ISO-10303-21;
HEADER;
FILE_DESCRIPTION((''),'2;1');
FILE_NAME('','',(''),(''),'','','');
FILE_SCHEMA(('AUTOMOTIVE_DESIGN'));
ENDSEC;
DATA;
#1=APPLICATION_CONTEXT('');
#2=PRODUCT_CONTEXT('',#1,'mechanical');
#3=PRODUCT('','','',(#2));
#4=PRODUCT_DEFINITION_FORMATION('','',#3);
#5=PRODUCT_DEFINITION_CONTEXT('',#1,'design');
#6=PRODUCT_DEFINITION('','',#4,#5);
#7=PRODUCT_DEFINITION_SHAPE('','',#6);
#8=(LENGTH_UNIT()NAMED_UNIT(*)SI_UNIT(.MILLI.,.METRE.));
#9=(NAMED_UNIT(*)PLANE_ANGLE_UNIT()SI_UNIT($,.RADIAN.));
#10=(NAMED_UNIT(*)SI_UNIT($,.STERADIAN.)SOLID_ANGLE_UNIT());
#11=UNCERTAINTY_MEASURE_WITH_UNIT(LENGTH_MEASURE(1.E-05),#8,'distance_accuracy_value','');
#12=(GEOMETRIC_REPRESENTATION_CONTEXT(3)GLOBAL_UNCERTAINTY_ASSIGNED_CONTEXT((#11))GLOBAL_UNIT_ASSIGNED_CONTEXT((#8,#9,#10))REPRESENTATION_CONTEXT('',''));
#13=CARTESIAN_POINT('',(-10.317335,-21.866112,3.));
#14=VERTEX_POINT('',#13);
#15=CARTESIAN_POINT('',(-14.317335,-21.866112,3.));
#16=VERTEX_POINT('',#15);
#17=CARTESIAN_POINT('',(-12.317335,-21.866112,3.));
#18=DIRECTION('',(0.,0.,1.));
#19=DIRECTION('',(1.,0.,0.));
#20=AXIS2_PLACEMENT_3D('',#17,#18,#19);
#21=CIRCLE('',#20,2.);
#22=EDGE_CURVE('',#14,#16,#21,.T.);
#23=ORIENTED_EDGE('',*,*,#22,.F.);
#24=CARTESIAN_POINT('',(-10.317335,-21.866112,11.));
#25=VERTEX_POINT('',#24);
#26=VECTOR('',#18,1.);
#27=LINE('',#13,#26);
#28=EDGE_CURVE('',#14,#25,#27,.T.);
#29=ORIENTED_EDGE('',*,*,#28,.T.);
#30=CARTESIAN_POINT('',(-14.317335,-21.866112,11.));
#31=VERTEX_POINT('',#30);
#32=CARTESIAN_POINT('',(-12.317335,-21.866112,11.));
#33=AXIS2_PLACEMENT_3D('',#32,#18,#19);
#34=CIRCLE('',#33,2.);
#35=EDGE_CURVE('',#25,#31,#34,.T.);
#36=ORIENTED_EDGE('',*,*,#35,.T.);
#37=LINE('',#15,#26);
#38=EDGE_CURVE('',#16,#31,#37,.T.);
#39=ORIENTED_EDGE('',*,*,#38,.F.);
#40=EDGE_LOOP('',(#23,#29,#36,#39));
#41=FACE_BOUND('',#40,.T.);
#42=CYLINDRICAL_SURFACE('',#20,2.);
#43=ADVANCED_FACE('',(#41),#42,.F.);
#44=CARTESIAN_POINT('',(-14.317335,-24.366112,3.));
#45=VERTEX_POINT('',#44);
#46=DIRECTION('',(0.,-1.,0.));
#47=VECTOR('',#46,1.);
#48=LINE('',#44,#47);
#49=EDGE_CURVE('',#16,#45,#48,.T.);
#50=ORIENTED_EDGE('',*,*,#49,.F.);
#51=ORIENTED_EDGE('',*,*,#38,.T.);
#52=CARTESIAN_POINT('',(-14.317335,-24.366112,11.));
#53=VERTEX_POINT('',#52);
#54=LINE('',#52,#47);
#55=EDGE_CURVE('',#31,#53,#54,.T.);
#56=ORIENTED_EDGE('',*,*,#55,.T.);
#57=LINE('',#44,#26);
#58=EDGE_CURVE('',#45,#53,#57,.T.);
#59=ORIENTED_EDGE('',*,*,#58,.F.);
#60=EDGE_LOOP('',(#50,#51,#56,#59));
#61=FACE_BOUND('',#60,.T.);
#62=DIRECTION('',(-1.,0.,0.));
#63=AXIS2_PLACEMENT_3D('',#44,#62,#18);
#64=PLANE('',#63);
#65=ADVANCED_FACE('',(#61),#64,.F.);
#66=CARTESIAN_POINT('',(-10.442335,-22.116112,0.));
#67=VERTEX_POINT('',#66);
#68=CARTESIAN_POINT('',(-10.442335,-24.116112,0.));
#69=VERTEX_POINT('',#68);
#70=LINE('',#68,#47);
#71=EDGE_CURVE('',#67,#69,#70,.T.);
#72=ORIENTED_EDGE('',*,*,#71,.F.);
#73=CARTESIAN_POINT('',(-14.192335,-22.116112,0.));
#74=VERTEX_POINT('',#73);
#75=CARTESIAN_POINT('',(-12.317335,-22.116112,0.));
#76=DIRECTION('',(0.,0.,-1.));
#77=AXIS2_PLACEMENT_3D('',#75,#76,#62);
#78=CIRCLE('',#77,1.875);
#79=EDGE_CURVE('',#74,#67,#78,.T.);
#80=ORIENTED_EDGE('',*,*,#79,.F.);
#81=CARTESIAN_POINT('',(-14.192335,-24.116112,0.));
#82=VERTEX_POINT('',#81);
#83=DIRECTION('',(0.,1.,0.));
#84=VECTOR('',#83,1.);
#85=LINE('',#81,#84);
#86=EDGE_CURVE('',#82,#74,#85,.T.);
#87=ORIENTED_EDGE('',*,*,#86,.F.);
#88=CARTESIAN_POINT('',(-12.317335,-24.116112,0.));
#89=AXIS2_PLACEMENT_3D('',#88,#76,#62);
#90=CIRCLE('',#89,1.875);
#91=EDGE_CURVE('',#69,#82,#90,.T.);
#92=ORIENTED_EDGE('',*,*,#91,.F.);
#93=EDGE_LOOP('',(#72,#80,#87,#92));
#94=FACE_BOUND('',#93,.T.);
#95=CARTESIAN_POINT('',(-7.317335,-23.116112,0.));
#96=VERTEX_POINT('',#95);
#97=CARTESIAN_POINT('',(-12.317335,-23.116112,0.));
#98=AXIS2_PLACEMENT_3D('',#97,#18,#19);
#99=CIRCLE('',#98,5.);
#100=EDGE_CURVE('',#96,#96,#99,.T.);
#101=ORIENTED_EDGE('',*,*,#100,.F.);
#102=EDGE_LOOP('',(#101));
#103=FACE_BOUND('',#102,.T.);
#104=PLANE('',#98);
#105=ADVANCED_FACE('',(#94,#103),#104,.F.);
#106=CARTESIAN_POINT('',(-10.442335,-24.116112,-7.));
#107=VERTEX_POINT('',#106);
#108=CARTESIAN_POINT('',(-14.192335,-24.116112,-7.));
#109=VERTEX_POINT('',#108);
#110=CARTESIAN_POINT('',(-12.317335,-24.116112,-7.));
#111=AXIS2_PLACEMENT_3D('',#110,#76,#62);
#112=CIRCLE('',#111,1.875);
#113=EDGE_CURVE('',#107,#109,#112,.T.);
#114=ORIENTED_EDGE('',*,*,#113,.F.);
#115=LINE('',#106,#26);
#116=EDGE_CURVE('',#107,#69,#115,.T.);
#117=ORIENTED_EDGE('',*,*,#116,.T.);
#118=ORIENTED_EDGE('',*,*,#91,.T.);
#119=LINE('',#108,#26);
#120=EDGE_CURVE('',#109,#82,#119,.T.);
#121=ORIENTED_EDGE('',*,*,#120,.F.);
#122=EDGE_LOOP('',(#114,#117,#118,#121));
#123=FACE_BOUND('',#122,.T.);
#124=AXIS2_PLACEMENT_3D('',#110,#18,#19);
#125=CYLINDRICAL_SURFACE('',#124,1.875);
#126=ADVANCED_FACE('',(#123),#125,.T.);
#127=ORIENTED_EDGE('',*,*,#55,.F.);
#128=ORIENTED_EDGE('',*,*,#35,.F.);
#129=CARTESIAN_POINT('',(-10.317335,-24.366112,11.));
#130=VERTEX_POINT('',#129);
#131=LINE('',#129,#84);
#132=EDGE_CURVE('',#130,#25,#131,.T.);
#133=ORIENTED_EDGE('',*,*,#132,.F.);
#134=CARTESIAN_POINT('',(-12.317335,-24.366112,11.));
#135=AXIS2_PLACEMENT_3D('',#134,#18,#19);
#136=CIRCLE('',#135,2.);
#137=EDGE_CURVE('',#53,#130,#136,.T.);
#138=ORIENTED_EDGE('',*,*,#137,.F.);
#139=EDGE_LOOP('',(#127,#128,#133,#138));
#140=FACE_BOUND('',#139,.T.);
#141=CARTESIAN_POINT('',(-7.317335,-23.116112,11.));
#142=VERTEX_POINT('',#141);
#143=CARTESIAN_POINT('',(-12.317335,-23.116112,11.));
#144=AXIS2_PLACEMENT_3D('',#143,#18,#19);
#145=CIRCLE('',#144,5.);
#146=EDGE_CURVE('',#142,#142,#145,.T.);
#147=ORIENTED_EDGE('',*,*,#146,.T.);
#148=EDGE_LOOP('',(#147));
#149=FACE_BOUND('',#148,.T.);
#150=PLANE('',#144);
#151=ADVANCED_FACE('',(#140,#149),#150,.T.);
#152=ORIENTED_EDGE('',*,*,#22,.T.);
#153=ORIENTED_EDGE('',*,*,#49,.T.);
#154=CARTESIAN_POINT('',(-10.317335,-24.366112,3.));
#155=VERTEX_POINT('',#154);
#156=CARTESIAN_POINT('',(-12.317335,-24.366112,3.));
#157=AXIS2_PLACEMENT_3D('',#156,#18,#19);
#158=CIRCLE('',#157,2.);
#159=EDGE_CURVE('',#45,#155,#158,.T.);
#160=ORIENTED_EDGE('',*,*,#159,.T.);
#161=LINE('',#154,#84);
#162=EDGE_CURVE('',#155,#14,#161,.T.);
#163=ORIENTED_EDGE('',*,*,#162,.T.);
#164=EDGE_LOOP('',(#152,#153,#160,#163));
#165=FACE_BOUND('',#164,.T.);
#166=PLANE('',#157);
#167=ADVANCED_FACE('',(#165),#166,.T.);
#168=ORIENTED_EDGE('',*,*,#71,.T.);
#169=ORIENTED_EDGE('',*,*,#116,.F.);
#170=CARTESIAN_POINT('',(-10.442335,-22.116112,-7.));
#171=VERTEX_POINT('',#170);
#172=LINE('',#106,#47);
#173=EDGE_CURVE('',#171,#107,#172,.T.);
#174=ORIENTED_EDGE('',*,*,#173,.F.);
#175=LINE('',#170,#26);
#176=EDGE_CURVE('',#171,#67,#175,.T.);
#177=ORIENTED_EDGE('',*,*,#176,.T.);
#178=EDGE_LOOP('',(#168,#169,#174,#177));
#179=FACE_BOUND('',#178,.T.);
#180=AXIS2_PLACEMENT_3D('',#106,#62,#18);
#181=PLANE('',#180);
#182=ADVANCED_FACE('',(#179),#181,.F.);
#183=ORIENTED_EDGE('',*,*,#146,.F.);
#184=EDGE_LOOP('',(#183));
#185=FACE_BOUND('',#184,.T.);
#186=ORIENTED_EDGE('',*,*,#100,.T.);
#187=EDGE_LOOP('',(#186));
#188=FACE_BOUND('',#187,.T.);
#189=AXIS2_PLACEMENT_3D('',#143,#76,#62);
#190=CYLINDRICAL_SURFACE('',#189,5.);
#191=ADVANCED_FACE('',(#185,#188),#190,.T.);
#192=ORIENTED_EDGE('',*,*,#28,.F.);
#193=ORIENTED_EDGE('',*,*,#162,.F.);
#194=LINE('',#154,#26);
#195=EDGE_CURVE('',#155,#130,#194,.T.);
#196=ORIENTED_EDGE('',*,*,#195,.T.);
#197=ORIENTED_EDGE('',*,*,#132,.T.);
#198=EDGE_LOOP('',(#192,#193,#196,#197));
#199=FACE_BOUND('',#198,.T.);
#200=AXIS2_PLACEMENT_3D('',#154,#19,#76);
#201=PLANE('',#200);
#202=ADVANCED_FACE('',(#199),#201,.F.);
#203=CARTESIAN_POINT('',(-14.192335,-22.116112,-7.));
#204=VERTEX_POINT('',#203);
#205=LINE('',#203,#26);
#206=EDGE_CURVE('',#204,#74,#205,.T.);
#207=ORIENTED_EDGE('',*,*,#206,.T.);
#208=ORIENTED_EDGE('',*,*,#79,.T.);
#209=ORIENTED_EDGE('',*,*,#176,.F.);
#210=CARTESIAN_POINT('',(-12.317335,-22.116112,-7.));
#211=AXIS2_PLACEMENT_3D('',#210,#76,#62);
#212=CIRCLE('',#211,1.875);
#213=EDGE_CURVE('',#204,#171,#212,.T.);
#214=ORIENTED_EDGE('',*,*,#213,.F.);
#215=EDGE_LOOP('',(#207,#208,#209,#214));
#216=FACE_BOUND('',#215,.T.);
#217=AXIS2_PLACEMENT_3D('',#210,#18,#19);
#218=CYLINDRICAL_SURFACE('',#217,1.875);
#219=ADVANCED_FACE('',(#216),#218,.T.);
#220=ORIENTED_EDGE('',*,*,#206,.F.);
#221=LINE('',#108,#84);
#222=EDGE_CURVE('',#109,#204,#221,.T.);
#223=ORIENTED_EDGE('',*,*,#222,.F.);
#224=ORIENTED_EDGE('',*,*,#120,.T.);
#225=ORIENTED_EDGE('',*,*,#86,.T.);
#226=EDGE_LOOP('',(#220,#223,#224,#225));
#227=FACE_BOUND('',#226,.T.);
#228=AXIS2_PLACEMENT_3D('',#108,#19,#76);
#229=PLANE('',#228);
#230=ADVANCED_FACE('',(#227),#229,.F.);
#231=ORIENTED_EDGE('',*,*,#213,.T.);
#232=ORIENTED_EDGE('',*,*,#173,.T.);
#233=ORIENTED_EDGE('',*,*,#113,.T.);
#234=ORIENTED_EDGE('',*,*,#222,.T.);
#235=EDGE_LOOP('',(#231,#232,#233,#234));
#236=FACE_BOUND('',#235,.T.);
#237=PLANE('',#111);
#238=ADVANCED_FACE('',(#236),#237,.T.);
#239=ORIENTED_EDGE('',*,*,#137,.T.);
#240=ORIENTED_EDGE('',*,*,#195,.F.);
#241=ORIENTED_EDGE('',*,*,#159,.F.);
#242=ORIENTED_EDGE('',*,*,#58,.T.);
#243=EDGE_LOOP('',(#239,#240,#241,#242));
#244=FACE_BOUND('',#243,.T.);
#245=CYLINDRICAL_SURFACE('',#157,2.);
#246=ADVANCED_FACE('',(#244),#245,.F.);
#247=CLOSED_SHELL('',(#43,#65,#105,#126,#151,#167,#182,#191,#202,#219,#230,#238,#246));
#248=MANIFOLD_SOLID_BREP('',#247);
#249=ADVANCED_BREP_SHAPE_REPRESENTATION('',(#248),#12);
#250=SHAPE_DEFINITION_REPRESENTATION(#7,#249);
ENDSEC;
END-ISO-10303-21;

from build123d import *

# Parameters (mm, degrees)
SKETCH1_R           = 5
BOSS_EXTRUDE1_DEPTH = 11
CUT_EXTRUDE1_DEPTH  = 8
BOSS_EXTRUDE2_DEPTH = 7


with BuildPart() as part:
    # Sketch1 → Boss-Extrude1 (new body)
    with BuildSketch(Plane.XY):
        with Locations((-12.317334514, -23.116112266)):
            Circle(SKETCH1_R)
    extrude(amount=BOSS_EXTRUDE1_DEPTH)

    # Sketch2 → Cut-Extrude1 (cut)
    with BuildSketch(Plane.XY.offset(11)):
        with BuildLine():
            Line((-14.317334514, -24.366112266), (-14.317334514, -21.866112266))
            ThreePointArc((-14.317334514, -21.866112266), (-12.317334514, -19.866112266), (-10.317334514, -21.866112266))
            Line((-10.317334514, -21.866112266), (-10.317334514, -24.366112266))
            ThreePointArc((-10.317334514, -24.366112266), (-12.317334514, -26.366112266), (-14.317334514, -24.366112266))
        make_face()
    extrude(amount=-CUT_EXTRUDE1_DEPTH, mode=Mode.SUBTRACT)

    # Sketch4 → Boss-Extrude2 (add)
    with BuildSketch(Plane(origin=(0, 0, 0), x_dir=(-1, 0, 0), z_dir=(0, 0, -1))):
        with BuildLine():
            Line((10.442334514, -24.116112266), (10.442334514, -22.116112266))
            ThreePointArc((10.442334514, -22.116112266), (12.317334514, -20.241112266), (14.192334514, -22.116112266))
            Line((14.192334514, -22.116112266), (14.192334514, -24.116112266))
            ThreePointArc((14.192334514, -24.116112266), (12.317334514, -25.991112266), (10.442334514, -24.116112266))
        make_face()
    extrude(amount=BOSS_EXTRUDE2_DEPTH)


solid = part.part
